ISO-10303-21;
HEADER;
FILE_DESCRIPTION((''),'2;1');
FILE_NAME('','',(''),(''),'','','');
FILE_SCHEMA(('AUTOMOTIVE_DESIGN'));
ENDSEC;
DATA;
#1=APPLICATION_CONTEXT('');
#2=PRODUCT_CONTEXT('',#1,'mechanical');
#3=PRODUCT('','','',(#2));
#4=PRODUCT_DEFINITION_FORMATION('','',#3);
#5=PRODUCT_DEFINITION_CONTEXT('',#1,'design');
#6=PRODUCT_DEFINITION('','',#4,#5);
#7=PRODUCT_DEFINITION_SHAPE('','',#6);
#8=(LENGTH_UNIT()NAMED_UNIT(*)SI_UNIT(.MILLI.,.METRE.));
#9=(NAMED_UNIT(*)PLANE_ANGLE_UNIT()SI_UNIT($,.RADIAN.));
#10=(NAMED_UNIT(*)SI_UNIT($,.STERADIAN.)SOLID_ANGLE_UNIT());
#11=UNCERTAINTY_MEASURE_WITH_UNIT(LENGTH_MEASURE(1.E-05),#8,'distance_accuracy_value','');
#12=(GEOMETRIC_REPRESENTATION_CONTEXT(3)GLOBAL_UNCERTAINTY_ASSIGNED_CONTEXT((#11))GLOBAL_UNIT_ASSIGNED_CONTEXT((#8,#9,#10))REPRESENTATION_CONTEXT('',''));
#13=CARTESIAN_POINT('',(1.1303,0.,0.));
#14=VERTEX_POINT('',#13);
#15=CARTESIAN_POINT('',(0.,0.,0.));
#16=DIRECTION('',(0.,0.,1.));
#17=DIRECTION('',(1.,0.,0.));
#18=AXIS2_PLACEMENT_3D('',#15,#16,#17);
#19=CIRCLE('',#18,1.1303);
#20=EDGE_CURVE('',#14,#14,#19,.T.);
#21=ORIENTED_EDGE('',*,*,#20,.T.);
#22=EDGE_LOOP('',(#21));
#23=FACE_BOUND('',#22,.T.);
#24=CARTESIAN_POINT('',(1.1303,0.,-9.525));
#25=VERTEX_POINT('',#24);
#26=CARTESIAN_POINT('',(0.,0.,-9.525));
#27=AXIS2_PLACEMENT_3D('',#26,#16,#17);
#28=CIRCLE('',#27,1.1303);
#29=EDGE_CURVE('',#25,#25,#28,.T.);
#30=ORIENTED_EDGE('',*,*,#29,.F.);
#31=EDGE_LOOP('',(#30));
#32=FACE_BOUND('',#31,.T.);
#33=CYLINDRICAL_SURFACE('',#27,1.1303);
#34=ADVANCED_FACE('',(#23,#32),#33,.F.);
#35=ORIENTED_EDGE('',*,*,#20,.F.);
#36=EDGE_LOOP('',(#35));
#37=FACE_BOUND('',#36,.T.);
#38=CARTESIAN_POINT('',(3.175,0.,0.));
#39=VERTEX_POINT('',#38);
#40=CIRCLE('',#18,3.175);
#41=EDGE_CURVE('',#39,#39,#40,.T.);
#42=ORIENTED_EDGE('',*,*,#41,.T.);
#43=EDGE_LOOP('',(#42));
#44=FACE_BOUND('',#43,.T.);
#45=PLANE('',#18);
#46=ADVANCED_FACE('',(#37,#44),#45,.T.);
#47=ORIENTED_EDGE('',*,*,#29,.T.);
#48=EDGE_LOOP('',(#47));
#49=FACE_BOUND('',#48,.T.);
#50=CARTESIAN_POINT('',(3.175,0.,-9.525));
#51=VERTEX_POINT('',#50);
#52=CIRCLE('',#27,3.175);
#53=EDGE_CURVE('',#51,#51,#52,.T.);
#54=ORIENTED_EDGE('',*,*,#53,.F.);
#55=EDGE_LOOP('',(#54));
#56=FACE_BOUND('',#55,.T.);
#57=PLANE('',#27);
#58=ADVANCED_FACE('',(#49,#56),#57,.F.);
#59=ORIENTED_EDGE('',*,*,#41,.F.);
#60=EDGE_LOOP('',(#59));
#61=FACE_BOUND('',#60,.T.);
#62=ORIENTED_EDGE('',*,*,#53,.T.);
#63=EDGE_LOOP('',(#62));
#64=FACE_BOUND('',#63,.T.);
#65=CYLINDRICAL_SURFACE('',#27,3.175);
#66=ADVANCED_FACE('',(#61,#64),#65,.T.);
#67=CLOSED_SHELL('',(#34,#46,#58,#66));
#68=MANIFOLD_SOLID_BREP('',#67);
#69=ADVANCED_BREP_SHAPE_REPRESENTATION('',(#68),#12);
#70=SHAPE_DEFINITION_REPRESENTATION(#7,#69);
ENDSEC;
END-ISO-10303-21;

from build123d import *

# Parameters (mm, degrees)
FACE_2_R     = 3.175
FACE_2_R_2   = 1.1303
WASHER_DEPTH = 9.525


with BuildPart() as part:
    # face 2 → washer (new body)
    with BuildSketch(Plane.XY):
        Circle(FACE_2_R)
        Circle(FACE_2_R_2, mode=Mode.SUBTRACT)
    extrude(amount=-WASHER_DEPTH)


solid = part.part
